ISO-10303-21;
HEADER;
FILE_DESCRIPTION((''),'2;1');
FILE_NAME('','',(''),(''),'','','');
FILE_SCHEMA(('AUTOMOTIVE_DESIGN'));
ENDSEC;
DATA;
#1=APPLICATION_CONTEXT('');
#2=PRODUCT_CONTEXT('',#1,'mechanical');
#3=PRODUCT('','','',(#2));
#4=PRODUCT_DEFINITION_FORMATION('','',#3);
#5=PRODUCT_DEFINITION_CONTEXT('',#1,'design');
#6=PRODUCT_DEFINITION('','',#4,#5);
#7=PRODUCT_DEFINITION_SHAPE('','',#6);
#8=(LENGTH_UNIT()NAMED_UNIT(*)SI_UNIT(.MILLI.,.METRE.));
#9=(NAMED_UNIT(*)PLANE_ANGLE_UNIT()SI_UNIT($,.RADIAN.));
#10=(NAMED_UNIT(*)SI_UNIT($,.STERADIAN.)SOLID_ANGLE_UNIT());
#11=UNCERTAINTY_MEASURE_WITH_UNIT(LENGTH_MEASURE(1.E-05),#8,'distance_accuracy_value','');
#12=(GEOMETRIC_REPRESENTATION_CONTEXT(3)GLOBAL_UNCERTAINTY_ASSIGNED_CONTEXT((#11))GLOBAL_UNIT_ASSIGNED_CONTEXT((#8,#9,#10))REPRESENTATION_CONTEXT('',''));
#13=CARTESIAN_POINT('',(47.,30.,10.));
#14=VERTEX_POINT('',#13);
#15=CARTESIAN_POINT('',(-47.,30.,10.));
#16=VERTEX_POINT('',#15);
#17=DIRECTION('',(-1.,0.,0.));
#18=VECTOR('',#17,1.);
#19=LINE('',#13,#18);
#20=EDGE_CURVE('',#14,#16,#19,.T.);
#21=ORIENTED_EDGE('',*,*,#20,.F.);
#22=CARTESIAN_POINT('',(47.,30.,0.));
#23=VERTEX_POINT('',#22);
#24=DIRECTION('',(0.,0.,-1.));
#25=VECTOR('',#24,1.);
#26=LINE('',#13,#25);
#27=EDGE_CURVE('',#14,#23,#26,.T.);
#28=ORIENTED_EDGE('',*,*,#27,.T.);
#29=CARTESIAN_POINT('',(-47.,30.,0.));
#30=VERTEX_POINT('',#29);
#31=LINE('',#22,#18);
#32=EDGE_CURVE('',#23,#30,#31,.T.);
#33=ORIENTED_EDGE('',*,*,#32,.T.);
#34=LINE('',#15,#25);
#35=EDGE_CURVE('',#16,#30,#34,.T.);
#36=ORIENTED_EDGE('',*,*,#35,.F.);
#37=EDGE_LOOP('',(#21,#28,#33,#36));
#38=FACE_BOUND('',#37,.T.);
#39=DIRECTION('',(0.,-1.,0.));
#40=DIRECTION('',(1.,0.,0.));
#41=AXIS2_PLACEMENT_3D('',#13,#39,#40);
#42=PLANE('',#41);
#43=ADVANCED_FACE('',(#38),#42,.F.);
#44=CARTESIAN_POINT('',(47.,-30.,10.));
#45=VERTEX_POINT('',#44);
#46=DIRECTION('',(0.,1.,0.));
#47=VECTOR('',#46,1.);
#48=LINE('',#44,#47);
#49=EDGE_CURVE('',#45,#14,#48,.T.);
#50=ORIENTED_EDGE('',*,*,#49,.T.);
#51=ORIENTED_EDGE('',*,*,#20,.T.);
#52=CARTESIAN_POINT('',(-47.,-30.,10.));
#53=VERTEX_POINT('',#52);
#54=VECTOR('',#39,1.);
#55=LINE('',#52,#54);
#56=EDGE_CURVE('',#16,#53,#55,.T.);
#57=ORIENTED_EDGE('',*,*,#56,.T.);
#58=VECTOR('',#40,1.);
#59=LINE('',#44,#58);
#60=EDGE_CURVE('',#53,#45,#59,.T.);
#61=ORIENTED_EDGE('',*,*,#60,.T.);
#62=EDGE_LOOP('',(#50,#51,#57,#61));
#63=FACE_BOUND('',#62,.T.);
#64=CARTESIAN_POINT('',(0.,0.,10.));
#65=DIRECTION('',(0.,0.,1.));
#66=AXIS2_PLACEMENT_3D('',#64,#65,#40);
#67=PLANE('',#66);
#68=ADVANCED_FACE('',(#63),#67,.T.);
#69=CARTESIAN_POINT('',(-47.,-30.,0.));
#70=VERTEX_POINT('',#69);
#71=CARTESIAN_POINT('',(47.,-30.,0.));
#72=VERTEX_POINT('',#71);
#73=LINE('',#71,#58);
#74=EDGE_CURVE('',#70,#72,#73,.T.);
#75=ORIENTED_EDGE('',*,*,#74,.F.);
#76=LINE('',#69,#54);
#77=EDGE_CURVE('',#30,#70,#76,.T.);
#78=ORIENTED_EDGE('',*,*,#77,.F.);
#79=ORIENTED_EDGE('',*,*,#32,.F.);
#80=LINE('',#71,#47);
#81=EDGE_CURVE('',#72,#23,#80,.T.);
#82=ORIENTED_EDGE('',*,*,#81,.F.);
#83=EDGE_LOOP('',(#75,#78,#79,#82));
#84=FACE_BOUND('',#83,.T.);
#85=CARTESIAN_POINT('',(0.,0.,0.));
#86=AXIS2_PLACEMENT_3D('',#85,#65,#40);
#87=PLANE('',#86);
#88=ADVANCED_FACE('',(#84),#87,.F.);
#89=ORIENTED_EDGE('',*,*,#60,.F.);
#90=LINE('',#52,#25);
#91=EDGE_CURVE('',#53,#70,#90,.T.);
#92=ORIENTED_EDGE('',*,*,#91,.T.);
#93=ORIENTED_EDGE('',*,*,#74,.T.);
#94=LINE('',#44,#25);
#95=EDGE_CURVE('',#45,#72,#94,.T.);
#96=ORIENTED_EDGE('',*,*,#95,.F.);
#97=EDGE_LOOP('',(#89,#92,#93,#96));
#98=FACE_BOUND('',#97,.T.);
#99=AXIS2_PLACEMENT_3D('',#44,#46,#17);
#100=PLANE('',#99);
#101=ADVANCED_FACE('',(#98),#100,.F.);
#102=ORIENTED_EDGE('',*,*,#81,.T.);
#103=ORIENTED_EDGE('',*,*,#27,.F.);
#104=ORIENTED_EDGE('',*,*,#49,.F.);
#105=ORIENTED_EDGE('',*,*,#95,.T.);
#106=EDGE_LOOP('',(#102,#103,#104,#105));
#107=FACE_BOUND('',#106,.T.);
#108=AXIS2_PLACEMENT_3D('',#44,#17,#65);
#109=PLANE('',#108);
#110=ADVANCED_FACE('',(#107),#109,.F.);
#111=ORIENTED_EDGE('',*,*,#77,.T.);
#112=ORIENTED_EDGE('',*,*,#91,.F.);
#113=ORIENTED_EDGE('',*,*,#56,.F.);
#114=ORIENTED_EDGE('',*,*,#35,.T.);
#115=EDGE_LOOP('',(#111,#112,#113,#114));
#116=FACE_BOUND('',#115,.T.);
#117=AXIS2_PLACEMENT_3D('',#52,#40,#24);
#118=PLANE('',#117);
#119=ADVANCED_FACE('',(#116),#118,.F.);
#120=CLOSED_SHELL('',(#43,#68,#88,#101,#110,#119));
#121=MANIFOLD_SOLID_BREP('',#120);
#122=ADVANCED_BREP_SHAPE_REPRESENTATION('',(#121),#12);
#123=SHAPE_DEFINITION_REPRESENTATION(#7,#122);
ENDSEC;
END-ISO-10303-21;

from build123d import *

# Parameters (mm, degrees)
SKETCH_1_W      = 94
SKETCH_1_H      = 60
EXTRUDE_1_DEPTH = 10


with BuildPart() as part:
    # 草图1 → 凸台-拉伸1 (new body)
    with BuildSketch(Plane.XY):
        Rectangle(SKETCH_1_W, SKETCH_1_H)
    extrude(amount=EXTRUDE_1_DEPTH)


solid = part.part
